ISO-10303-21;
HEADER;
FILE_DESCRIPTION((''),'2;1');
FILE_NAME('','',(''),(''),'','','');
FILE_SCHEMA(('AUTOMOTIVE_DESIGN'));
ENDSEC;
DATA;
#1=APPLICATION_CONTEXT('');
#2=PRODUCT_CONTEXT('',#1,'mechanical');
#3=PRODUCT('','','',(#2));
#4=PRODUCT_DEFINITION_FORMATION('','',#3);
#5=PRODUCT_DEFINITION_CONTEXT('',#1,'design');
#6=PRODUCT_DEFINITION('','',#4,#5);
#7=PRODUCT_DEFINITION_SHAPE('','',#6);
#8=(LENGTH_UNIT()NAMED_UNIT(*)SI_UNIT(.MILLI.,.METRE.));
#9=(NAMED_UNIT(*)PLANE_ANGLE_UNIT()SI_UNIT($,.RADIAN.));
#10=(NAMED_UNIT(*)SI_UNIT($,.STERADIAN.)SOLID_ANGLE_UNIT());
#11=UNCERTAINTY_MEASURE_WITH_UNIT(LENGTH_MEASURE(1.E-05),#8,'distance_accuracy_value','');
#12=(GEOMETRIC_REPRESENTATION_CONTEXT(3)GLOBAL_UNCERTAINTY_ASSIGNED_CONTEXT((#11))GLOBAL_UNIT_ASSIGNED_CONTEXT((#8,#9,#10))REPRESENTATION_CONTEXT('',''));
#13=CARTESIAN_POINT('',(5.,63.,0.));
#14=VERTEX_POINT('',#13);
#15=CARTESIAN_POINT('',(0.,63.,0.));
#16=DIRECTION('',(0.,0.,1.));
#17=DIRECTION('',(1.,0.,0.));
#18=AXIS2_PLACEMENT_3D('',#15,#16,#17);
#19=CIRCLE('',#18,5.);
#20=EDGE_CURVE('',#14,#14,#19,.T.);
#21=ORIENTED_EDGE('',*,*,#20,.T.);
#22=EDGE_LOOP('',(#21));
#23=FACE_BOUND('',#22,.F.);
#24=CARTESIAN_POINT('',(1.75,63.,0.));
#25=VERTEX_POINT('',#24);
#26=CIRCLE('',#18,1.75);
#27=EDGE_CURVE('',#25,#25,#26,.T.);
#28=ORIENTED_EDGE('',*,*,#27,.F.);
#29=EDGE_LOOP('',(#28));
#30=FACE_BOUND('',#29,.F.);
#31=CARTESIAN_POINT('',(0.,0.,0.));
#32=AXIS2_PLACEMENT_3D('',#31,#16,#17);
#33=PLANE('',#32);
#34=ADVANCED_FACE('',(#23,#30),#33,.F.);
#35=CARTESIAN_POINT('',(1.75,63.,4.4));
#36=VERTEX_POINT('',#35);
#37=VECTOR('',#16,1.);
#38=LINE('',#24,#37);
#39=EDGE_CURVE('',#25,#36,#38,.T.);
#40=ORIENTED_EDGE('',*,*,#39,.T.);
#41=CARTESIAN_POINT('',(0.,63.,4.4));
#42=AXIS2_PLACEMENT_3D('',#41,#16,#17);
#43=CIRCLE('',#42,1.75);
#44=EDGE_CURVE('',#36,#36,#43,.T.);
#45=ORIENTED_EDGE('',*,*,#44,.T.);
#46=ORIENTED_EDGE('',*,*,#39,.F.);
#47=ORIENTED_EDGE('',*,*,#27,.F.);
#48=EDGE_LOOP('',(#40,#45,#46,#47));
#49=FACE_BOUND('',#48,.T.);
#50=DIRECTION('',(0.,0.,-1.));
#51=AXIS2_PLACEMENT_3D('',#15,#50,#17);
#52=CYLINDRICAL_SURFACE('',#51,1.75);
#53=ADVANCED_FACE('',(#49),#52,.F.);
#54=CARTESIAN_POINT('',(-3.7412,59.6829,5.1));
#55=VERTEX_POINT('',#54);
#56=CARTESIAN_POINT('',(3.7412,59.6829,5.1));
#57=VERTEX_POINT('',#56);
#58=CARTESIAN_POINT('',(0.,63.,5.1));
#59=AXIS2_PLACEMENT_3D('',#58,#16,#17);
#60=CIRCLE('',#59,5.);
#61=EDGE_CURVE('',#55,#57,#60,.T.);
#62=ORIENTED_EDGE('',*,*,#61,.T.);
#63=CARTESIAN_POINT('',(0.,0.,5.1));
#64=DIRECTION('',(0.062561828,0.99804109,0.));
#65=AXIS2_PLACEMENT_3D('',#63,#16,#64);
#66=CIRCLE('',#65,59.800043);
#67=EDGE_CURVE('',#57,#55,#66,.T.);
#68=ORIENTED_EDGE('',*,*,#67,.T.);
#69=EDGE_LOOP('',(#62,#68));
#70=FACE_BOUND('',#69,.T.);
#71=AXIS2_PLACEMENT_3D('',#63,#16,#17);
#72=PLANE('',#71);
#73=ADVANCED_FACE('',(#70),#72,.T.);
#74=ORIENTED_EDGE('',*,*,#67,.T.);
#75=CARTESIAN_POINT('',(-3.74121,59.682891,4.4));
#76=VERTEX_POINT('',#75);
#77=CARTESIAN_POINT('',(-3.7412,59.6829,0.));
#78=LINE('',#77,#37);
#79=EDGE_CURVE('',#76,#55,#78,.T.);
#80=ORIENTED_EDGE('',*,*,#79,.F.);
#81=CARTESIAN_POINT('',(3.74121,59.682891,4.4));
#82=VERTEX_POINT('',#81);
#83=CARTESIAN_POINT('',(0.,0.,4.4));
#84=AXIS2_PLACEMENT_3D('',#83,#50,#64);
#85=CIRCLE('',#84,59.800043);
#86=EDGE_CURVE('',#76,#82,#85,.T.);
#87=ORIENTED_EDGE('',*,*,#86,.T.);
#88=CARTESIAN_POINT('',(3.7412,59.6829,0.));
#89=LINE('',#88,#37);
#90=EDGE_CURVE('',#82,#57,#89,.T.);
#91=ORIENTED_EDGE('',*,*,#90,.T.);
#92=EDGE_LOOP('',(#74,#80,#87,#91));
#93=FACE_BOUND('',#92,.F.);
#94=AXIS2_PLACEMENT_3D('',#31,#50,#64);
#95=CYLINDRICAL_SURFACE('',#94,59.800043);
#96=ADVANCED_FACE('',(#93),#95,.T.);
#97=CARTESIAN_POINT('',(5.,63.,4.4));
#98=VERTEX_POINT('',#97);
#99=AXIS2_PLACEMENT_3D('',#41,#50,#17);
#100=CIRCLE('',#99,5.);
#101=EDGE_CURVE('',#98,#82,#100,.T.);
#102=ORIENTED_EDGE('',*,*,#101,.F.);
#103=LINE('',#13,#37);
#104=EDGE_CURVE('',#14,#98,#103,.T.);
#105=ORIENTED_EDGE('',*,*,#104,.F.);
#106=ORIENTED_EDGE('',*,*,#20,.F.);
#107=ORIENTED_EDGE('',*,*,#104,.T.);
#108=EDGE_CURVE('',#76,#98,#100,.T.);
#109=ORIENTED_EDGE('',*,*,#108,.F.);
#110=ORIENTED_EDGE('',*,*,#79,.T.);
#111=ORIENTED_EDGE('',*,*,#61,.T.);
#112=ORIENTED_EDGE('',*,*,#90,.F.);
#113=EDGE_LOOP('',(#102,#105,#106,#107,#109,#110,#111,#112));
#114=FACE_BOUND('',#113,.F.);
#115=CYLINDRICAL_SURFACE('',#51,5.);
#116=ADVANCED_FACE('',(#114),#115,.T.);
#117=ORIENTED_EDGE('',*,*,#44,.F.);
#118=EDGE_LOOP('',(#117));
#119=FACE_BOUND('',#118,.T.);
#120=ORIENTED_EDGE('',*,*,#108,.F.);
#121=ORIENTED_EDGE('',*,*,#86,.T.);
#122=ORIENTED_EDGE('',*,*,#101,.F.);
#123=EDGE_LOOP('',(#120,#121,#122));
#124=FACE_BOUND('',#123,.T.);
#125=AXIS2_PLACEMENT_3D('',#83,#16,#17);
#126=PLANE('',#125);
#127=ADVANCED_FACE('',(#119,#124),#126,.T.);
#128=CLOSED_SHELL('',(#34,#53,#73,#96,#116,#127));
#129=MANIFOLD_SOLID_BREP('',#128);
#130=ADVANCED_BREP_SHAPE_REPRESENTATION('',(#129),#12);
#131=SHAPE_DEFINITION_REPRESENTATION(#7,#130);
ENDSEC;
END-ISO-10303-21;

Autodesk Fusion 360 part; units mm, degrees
sketch "Skizze1" plane through (0, 0, 0) normal (0, 0, 1) x (1, 0, 0)
  line L0 (-39.3753, 0) -> (42.4042, 0) construction
  line L1 (0, 170.6208) -> (0, -60) construction
  line L2 (-58.6161, 63) -> (60, 63) construction
  circle A0 centre (0, 63) radius 1.75
  circle A1 centre (0, 63) radius 5
  arc A2 (3.7412, 59.6829) -> (-3.7412, 59.6829) centre (0, 0) ccw
  point P0 (0, 63)
  dimension "d1" = 63
  dimension "d3" = 3.5
  dimension "d4" = 10
  dimension "d5" = 59.8
extrude "Extrusion1" add sketch "Skizze1" along normal blind 4.4
extrude "Extrusion2" add sketch "Skizze1" along normal blind 5.1 contours A1 A2 picked at (0, 59.1913)
